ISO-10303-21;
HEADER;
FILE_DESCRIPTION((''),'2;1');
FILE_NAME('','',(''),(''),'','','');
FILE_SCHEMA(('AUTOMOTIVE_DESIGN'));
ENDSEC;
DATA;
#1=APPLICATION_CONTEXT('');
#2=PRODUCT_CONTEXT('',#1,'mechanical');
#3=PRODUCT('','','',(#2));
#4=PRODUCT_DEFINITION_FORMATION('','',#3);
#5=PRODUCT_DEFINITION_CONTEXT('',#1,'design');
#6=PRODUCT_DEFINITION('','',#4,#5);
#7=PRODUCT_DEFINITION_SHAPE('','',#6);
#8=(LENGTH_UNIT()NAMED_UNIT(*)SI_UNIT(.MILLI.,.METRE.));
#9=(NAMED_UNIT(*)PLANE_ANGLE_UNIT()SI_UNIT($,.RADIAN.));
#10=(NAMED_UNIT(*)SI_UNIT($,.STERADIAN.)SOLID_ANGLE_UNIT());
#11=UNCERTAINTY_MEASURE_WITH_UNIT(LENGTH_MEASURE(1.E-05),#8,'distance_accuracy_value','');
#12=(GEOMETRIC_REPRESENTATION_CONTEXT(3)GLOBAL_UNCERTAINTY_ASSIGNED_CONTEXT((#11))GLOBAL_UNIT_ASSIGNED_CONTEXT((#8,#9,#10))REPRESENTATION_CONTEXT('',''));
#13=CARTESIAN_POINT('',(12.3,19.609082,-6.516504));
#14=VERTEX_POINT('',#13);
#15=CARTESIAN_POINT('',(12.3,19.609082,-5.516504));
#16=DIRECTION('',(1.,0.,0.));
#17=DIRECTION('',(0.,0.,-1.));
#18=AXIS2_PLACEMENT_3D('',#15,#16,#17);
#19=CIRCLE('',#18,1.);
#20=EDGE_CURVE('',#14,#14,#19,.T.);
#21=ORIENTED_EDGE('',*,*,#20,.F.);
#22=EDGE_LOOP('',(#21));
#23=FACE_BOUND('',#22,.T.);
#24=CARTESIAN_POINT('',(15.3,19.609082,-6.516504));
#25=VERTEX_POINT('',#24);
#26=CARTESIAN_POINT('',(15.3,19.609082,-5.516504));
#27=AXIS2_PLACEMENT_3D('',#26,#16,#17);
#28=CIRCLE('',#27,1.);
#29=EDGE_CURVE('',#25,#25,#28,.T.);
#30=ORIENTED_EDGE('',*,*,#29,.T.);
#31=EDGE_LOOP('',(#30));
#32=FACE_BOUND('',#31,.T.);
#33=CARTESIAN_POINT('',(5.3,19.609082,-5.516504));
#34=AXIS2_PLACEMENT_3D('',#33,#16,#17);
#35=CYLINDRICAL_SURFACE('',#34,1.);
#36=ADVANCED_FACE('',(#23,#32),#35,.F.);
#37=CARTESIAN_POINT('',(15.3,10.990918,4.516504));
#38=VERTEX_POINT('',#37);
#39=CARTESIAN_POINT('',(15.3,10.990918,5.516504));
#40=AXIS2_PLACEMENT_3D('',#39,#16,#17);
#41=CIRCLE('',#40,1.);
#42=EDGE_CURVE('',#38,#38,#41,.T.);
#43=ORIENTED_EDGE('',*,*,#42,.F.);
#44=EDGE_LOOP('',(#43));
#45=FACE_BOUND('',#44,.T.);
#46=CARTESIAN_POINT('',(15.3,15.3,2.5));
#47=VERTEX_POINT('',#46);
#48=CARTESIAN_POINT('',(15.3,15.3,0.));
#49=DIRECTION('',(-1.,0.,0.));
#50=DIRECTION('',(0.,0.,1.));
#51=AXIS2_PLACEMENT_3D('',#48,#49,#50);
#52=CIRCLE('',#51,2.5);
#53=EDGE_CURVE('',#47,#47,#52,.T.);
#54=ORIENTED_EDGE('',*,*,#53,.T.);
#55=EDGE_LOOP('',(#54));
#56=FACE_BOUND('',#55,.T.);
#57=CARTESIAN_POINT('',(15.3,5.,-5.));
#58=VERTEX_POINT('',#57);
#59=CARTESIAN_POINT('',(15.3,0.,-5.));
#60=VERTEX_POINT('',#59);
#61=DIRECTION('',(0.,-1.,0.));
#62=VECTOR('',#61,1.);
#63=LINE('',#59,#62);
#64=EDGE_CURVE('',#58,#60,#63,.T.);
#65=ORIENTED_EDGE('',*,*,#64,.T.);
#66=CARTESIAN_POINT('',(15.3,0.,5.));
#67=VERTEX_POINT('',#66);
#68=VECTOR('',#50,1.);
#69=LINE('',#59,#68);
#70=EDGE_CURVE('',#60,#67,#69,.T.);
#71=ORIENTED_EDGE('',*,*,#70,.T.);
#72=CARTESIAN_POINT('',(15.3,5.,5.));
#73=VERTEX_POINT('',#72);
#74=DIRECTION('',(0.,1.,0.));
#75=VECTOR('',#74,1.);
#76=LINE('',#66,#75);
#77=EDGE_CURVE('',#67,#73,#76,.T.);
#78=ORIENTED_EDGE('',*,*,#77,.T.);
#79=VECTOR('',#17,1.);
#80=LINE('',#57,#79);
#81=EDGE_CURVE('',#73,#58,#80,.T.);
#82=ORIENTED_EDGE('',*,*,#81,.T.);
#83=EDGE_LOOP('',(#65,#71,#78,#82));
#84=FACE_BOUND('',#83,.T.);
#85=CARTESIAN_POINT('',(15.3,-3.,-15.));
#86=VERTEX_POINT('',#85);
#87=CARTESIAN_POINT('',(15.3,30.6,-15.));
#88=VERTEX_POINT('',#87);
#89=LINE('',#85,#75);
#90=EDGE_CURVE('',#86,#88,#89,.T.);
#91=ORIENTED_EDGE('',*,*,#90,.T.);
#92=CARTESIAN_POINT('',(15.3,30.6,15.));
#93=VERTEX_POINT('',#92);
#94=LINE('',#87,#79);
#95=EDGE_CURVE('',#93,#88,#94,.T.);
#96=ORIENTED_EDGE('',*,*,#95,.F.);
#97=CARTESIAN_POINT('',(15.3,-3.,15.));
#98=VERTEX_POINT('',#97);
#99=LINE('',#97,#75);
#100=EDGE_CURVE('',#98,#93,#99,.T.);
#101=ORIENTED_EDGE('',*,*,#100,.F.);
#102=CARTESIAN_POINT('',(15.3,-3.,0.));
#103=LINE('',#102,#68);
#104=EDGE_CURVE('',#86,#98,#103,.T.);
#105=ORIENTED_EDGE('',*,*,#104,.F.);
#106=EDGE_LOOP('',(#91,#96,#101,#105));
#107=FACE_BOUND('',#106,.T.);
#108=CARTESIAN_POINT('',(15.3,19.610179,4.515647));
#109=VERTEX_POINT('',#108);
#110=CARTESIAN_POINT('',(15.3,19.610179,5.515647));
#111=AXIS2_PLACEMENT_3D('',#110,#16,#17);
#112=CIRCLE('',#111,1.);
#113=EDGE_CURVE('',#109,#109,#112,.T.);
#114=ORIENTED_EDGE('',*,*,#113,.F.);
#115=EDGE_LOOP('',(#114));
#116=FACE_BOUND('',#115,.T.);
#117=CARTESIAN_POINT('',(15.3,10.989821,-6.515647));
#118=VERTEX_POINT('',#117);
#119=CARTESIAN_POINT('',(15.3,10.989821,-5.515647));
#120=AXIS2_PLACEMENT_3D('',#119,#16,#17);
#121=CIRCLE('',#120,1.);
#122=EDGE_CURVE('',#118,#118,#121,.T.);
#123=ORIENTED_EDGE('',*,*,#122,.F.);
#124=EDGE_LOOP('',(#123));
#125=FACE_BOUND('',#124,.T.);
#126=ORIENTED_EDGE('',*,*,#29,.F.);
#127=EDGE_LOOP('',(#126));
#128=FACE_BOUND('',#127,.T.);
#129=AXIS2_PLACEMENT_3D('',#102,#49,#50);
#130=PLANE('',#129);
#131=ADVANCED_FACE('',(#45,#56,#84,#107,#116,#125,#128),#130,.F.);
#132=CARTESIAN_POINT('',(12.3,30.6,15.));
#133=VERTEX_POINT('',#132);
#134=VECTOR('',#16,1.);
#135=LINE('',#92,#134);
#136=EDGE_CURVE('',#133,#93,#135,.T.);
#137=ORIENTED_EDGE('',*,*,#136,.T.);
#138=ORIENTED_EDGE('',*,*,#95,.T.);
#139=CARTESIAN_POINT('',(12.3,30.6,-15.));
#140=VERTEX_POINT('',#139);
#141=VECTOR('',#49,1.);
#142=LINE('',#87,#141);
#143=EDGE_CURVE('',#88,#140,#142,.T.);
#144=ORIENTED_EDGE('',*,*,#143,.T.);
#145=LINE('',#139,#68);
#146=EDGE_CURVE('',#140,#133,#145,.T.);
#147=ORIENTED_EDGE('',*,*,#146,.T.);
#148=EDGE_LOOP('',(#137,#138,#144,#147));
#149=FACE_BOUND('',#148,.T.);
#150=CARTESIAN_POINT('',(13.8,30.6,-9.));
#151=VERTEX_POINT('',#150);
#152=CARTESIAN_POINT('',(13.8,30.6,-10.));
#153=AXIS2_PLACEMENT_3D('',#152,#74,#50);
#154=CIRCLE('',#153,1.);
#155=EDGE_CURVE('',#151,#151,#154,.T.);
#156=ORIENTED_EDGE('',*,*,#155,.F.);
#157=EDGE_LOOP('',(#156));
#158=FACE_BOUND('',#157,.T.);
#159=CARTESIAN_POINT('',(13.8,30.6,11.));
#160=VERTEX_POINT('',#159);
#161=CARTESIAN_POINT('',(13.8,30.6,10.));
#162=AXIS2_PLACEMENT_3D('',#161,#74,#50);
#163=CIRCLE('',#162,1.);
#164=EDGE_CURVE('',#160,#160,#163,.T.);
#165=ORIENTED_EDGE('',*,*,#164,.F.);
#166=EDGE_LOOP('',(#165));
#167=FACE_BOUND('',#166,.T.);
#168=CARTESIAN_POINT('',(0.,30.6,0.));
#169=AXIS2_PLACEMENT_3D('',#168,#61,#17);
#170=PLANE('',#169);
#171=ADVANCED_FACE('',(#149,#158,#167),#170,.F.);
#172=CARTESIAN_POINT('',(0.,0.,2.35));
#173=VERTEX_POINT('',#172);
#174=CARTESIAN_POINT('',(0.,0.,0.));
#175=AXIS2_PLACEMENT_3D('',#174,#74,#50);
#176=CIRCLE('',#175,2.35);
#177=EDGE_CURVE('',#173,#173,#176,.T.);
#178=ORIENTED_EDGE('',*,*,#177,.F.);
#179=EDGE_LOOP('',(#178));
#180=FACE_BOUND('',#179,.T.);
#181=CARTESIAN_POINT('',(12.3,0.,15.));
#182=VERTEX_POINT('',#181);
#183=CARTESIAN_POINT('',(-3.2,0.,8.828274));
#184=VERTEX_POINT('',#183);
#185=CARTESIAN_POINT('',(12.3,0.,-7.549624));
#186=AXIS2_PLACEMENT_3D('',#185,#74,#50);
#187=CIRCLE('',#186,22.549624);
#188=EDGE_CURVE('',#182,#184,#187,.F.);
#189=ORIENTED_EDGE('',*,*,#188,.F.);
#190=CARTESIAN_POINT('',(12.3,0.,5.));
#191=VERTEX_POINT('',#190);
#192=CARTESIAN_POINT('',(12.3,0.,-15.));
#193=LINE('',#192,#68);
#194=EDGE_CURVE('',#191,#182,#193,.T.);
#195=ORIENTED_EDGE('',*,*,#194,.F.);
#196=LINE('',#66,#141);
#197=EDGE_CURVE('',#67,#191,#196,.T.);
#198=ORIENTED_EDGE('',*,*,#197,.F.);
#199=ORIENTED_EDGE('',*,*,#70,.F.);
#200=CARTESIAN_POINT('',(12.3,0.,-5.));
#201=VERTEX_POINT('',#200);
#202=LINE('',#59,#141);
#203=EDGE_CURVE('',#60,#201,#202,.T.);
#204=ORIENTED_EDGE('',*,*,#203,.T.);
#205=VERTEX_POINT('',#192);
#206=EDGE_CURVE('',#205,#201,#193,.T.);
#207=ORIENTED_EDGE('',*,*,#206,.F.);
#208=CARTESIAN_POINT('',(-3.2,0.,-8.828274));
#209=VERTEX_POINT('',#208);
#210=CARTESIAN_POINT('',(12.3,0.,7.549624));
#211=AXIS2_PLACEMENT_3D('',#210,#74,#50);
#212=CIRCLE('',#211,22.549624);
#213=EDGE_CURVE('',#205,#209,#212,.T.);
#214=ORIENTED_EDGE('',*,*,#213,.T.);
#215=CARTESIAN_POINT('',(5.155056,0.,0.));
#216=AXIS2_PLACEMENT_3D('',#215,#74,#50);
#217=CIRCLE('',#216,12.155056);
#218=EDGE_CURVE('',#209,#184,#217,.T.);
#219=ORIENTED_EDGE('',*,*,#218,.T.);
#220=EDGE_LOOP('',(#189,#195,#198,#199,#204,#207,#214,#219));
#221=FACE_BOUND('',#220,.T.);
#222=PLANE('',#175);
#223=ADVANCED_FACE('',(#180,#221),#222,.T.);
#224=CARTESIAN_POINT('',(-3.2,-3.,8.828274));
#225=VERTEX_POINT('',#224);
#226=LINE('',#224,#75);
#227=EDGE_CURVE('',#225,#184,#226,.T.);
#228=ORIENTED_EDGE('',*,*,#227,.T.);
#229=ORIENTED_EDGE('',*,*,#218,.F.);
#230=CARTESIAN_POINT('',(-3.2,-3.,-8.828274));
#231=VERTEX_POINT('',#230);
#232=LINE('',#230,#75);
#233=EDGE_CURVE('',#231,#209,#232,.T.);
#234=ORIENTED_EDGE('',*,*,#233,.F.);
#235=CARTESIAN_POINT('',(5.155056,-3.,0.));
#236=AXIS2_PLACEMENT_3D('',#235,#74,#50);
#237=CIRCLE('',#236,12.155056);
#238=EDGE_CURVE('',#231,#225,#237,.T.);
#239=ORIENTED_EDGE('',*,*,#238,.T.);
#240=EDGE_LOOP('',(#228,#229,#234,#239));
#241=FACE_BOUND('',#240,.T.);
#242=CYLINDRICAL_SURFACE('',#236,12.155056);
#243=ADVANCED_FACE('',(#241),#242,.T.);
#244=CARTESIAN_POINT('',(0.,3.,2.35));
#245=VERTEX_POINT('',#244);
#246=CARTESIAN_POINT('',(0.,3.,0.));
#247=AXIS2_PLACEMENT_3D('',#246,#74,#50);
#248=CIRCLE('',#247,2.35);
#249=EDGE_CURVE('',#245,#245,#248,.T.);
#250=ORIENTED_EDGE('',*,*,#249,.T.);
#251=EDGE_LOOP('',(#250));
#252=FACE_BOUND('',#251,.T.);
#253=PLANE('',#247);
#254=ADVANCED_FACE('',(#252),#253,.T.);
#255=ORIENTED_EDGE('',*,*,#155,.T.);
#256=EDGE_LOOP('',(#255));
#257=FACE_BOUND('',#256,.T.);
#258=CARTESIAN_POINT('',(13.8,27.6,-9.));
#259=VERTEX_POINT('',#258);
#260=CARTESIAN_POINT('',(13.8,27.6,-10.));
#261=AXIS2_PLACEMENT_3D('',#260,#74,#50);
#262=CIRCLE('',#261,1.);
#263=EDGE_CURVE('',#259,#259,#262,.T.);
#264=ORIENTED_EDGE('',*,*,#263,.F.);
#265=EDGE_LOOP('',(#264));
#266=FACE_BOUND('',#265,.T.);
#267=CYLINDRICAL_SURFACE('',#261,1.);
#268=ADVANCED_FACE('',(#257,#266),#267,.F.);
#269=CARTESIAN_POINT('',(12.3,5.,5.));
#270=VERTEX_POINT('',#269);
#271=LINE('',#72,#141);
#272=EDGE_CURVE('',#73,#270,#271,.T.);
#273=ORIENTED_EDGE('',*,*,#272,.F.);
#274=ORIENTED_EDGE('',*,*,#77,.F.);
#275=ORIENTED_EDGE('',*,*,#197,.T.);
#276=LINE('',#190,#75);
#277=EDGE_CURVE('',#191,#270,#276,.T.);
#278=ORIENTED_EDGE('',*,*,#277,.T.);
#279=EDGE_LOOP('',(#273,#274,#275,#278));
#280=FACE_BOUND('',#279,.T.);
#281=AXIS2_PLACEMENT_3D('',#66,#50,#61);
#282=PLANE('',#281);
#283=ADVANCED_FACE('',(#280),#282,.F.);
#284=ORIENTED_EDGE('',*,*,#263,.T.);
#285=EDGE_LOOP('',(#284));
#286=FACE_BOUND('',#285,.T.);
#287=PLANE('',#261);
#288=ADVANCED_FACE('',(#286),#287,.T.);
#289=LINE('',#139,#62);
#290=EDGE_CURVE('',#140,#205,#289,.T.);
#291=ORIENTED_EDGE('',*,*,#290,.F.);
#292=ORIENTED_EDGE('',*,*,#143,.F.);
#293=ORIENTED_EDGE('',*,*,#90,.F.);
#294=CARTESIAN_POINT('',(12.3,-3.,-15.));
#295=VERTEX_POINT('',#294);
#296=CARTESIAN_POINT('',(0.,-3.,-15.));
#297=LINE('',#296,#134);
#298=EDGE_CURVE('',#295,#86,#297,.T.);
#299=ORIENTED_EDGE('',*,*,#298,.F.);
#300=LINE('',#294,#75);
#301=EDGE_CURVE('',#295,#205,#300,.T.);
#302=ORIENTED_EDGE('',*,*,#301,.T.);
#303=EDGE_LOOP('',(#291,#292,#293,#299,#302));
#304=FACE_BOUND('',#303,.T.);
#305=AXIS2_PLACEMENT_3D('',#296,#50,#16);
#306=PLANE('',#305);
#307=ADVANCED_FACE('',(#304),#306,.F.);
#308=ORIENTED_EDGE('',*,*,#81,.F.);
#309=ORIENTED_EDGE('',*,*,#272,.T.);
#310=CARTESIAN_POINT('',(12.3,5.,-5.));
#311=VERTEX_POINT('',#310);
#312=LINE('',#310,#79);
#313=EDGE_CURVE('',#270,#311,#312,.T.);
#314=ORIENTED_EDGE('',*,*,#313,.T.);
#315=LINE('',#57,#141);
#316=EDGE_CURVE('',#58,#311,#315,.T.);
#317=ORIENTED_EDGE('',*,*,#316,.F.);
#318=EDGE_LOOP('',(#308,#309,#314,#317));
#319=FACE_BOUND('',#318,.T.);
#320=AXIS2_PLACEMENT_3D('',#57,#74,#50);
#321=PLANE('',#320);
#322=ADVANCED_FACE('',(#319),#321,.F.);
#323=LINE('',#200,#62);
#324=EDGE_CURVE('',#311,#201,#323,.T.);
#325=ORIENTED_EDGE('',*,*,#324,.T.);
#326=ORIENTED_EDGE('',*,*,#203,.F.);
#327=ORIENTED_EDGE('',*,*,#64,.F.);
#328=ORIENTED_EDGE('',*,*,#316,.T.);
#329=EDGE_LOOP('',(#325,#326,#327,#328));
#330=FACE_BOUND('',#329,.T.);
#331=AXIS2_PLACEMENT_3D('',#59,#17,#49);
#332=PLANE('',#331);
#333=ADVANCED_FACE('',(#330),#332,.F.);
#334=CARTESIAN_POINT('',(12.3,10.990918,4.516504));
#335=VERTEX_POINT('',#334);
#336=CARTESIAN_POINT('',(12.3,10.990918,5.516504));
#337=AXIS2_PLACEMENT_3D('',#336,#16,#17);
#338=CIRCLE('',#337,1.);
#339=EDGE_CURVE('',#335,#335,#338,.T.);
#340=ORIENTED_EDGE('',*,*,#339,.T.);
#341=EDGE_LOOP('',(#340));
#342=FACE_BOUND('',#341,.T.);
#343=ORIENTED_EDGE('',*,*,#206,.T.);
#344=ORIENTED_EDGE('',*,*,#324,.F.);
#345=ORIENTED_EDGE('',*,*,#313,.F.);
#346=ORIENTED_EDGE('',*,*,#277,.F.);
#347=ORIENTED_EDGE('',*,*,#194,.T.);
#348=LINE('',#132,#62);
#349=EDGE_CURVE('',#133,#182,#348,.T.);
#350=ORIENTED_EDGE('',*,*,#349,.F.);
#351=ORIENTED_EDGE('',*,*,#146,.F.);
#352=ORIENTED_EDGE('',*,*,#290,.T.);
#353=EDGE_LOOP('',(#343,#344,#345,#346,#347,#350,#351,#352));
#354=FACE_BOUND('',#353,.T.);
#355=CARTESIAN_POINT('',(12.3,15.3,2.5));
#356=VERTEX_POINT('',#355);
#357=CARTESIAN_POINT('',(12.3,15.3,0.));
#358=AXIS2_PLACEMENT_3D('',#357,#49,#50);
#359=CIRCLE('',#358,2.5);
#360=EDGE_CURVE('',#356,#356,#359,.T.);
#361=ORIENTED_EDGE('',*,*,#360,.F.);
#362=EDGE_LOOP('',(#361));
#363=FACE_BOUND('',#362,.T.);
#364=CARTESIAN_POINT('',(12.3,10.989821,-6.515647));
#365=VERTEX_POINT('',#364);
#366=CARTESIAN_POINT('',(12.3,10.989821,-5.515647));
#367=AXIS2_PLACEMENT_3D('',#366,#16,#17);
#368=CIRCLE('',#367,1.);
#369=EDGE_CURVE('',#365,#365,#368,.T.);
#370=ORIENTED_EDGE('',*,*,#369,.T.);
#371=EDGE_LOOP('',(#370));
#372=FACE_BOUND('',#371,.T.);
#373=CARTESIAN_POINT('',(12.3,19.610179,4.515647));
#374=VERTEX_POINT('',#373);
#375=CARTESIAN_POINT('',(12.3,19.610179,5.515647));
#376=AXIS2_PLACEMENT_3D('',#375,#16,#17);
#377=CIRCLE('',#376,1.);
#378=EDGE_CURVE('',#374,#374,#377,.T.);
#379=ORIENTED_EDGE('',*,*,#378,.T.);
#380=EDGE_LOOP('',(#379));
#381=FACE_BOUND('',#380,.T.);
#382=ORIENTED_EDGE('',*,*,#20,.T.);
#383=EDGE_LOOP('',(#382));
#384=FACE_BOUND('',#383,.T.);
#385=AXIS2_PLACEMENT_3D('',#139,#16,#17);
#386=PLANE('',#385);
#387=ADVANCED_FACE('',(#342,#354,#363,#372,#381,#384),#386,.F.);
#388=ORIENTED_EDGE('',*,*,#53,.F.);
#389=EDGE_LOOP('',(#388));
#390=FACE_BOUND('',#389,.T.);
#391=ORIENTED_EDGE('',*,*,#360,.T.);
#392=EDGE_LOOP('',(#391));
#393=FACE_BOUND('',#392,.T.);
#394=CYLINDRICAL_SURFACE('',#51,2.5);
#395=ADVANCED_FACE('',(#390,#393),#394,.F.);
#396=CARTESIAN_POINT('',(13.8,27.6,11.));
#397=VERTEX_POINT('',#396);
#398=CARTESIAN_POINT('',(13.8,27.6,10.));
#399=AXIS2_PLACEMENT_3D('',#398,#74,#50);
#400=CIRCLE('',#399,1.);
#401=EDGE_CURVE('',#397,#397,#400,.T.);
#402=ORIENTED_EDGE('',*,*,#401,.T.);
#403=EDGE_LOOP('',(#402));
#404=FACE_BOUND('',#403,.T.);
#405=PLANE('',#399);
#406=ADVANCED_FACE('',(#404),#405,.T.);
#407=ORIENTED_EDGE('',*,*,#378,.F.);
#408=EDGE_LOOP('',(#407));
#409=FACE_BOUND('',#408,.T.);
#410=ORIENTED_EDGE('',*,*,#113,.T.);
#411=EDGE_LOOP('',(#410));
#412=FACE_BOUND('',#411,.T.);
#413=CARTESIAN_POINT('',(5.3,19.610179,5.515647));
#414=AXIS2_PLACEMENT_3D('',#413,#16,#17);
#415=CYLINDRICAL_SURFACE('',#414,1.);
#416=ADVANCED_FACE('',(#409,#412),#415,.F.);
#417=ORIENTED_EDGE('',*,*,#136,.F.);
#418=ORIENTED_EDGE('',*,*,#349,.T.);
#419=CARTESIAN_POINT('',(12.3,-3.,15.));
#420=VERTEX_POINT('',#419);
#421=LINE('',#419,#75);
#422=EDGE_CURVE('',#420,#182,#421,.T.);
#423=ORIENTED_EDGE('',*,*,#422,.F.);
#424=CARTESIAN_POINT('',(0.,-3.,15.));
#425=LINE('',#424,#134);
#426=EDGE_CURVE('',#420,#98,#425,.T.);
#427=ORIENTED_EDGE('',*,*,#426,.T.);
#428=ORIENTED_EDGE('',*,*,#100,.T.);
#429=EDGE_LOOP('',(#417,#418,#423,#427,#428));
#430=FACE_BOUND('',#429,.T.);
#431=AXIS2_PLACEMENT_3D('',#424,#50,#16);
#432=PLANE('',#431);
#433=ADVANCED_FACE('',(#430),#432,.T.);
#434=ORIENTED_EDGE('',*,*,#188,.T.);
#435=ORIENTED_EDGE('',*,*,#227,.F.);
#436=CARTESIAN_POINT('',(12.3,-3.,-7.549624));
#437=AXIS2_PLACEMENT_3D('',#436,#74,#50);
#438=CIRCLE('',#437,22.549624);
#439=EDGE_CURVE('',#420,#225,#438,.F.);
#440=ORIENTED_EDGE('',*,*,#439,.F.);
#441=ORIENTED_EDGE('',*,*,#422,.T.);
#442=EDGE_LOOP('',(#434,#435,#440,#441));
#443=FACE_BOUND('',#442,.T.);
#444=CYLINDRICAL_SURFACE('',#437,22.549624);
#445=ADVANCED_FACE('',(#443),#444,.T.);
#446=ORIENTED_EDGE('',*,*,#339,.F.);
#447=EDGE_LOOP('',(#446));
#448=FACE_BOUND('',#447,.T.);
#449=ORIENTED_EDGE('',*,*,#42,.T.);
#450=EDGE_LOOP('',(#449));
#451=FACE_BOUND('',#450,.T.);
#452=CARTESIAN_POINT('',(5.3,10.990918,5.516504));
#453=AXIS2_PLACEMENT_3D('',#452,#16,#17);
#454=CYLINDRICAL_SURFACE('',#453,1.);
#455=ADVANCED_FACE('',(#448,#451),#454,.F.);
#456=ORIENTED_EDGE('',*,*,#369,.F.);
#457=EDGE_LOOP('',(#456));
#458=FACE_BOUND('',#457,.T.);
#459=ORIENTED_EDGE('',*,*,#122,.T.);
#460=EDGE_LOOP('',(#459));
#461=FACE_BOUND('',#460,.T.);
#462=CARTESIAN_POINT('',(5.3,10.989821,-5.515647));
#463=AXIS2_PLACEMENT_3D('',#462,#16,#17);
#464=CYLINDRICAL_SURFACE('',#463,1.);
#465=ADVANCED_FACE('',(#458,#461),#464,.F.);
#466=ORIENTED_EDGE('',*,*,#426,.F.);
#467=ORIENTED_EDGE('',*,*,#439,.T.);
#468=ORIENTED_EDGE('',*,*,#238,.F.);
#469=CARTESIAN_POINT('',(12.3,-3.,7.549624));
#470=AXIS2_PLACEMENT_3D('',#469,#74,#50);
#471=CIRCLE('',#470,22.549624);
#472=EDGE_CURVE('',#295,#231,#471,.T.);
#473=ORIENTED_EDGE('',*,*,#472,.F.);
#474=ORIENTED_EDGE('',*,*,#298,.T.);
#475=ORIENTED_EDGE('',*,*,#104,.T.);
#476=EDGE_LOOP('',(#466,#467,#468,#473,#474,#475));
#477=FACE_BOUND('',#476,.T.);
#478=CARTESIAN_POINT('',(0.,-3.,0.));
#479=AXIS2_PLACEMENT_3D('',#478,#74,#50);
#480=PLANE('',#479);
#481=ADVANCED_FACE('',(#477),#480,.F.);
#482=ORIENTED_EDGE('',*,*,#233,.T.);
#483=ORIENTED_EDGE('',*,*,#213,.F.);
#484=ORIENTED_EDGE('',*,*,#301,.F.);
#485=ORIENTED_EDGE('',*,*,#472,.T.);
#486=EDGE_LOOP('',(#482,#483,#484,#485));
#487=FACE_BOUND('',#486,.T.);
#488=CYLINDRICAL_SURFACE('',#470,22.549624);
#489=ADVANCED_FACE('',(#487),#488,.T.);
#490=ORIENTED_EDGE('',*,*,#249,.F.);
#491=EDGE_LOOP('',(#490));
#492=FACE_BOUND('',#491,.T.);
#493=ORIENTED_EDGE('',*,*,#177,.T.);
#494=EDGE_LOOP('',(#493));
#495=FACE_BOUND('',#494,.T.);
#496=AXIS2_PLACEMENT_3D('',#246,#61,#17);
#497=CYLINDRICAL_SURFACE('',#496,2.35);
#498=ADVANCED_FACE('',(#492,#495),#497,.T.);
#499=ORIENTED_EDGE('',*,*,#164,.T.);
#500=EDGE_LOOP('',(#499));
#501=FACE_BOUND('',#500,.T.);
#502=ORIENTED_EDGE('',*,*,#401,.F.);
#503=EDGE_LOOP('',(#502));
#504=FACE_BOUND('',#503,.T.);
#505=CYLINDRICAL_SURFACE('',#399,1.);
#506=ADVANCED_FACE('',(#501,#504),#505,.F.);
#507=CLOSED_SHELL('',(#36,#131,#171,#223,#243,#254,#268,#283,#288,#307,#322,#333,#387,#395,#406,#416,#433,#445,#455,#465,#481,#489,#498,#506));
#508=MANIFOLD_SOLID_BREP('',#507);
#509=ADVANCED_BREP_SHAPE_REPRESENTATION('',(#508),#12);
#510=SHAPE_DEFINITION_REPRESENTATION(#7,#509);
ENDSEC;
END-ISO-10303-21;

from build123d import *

# Parameters (mm, degrees)
BOSS_EXTRUDE1_DEPTH     = 3
ESQUISSE1_W             = 3
ESQUISSE1_H             = 30
BOSS_EXTRU_1_DEPTH      = 30.6
ESQUISSE2_R             = 1
ENL_V_MAT_EXTRU_1_DEPTH = 3
ESQUISSE3_R             = 2.35
BOSS_EXTRU_2_DEPTH      = 3
ESQUISSE4_R             = 2.5
ENL_V_MAT_EXTRU_2_DEPTH = 40.164397097
ESQUISSE5_R             = 1
ENL_V_MAT_EXTRU_3_DEPTH = 10
SKETCH2_W               = 10
SKETCH2_H               = 5
CUT_EXTRUDE1_DEPTH      = 40.164397097


with BuildPart() as part:
    # Sketch1 → Boss-Extrude1 (new body)
    with BuildSketch(Plane(origin=(0, 0, 0), x_dir=(1, 0, 0), z_dir=(0, 1, 0))):
        with BuildLine():
            Line((15.3, 15), (12.3, 15))
            ThreePointArc((12.3, 15), (3.958234572, 13.40032808), (-3.2, 8.828273999))
            ThreePointArc((-3.2, 8.828273999), (-7, 0), (-3.2, -8.828273999))
            ThreePointArc((-3.2, -8.828273999), (3.958234572, -13.40032808), (12.3, -15))
            Line((12.3, -15), (15.3, -15))
            Line((15.3, -15), (15.3, 15))
        make_face()
    extrude(amount=-BOSS_EXTRUDE1_DEPTH)

    # Esquisse1 → Boss.-Extru.1 (add)
    with BuildSketch(Plane(origin=(0, 0, 0), x_dir=(1, 0, 0), z_dir=(0, 1, 0))):
        with Locations((13.8, 0)):
            Rectangle(ESQUISSE1_W, ESQUISSE1_H)
    extrude(amount=BOSS_EXTRU_1_DEPTH)

    # Esquisse2 → Enlèv. mat.-Extru.1 (cut)
    with BuildSketch(Plane(origin=(0, 30.6, 0), x_dir=(1, 0, 0), z_dir=(0, 1, 0))):
        with Locations(Location((13.8, 10, 0), (0, 0, 270))):
            Circle(ESQUISSE2_R)
        with Locations(Location((13.8, -10, 0), (0, 0, 270))):
            Circle(ESQUISSE2_R)
    extrude(amount=-ENL_V_MAT_EXTRU_1_DEPTH, mode=Mode.SUBTRACT)

    # Esquisse3 → Boss.-Extru.2 (add)
    with BuildSketch(Plane(origin=(0, 0, 0), x_dir=(1, 0, 0), z_dir=(0, 1, 0))):
        with Locations(Location((0, 0, 0), (0, 0, 270))):
            Circle(ESQUISSE3_R)
    extrude(amount=BOSS_EXTRU_2_DEPTH)

    # Esquisse4 → Enlèv. mat.-Extru.2 (cut, through all)
    with BuildSketch(Plane.ZY.offset(-12.3)):
        with Locations((0, 15.3)):
            Circle(ESQUISSE4_R)
    extrude(amount=-ENL_V_MAT_EXTRU_2_DEPTH, mode=Mode.SUBTRACT)

    # Esquisse5 → Enlèv. mat.-Extru.3 (cut)
    with BuildSketch(Plane(origin=(15.3, 0, 0), x_dir=(0, 0, -1), z_dir=(1, 0, 0))):
        with Locations((5.516503864, 19.609081703)):
            Circle(ESQUISSE5_R)
        with Locations((5.515646632, 10.989821091)):
            Circle(ESQUISSE5_R)
        with Locations((-5.515646632, 19.610178909)):
            Circle(ESQUISSE5_R)
        with Locations((-5.516503864, 10.990918297)):
            Circle(ESQUISSE5_R)
    extrude(amount=-ENL_V_MAT_EXTRU_3_DEPTH, mode=Mode.SUBTRACT)

    # Sketch2 → Cut-Extrude1 (cut, through all)
    with BuildSketch(Plane.ZY.offset(-12.3)):
        with Locations((0, 2.5)):
            Rectangle(SKETCH2_W, SKETCH2_H)
    extrude(amount=-CUT_EXTRUDE1_DEPTH, mode=Mode.SUBTRACT)


solid = part.part
